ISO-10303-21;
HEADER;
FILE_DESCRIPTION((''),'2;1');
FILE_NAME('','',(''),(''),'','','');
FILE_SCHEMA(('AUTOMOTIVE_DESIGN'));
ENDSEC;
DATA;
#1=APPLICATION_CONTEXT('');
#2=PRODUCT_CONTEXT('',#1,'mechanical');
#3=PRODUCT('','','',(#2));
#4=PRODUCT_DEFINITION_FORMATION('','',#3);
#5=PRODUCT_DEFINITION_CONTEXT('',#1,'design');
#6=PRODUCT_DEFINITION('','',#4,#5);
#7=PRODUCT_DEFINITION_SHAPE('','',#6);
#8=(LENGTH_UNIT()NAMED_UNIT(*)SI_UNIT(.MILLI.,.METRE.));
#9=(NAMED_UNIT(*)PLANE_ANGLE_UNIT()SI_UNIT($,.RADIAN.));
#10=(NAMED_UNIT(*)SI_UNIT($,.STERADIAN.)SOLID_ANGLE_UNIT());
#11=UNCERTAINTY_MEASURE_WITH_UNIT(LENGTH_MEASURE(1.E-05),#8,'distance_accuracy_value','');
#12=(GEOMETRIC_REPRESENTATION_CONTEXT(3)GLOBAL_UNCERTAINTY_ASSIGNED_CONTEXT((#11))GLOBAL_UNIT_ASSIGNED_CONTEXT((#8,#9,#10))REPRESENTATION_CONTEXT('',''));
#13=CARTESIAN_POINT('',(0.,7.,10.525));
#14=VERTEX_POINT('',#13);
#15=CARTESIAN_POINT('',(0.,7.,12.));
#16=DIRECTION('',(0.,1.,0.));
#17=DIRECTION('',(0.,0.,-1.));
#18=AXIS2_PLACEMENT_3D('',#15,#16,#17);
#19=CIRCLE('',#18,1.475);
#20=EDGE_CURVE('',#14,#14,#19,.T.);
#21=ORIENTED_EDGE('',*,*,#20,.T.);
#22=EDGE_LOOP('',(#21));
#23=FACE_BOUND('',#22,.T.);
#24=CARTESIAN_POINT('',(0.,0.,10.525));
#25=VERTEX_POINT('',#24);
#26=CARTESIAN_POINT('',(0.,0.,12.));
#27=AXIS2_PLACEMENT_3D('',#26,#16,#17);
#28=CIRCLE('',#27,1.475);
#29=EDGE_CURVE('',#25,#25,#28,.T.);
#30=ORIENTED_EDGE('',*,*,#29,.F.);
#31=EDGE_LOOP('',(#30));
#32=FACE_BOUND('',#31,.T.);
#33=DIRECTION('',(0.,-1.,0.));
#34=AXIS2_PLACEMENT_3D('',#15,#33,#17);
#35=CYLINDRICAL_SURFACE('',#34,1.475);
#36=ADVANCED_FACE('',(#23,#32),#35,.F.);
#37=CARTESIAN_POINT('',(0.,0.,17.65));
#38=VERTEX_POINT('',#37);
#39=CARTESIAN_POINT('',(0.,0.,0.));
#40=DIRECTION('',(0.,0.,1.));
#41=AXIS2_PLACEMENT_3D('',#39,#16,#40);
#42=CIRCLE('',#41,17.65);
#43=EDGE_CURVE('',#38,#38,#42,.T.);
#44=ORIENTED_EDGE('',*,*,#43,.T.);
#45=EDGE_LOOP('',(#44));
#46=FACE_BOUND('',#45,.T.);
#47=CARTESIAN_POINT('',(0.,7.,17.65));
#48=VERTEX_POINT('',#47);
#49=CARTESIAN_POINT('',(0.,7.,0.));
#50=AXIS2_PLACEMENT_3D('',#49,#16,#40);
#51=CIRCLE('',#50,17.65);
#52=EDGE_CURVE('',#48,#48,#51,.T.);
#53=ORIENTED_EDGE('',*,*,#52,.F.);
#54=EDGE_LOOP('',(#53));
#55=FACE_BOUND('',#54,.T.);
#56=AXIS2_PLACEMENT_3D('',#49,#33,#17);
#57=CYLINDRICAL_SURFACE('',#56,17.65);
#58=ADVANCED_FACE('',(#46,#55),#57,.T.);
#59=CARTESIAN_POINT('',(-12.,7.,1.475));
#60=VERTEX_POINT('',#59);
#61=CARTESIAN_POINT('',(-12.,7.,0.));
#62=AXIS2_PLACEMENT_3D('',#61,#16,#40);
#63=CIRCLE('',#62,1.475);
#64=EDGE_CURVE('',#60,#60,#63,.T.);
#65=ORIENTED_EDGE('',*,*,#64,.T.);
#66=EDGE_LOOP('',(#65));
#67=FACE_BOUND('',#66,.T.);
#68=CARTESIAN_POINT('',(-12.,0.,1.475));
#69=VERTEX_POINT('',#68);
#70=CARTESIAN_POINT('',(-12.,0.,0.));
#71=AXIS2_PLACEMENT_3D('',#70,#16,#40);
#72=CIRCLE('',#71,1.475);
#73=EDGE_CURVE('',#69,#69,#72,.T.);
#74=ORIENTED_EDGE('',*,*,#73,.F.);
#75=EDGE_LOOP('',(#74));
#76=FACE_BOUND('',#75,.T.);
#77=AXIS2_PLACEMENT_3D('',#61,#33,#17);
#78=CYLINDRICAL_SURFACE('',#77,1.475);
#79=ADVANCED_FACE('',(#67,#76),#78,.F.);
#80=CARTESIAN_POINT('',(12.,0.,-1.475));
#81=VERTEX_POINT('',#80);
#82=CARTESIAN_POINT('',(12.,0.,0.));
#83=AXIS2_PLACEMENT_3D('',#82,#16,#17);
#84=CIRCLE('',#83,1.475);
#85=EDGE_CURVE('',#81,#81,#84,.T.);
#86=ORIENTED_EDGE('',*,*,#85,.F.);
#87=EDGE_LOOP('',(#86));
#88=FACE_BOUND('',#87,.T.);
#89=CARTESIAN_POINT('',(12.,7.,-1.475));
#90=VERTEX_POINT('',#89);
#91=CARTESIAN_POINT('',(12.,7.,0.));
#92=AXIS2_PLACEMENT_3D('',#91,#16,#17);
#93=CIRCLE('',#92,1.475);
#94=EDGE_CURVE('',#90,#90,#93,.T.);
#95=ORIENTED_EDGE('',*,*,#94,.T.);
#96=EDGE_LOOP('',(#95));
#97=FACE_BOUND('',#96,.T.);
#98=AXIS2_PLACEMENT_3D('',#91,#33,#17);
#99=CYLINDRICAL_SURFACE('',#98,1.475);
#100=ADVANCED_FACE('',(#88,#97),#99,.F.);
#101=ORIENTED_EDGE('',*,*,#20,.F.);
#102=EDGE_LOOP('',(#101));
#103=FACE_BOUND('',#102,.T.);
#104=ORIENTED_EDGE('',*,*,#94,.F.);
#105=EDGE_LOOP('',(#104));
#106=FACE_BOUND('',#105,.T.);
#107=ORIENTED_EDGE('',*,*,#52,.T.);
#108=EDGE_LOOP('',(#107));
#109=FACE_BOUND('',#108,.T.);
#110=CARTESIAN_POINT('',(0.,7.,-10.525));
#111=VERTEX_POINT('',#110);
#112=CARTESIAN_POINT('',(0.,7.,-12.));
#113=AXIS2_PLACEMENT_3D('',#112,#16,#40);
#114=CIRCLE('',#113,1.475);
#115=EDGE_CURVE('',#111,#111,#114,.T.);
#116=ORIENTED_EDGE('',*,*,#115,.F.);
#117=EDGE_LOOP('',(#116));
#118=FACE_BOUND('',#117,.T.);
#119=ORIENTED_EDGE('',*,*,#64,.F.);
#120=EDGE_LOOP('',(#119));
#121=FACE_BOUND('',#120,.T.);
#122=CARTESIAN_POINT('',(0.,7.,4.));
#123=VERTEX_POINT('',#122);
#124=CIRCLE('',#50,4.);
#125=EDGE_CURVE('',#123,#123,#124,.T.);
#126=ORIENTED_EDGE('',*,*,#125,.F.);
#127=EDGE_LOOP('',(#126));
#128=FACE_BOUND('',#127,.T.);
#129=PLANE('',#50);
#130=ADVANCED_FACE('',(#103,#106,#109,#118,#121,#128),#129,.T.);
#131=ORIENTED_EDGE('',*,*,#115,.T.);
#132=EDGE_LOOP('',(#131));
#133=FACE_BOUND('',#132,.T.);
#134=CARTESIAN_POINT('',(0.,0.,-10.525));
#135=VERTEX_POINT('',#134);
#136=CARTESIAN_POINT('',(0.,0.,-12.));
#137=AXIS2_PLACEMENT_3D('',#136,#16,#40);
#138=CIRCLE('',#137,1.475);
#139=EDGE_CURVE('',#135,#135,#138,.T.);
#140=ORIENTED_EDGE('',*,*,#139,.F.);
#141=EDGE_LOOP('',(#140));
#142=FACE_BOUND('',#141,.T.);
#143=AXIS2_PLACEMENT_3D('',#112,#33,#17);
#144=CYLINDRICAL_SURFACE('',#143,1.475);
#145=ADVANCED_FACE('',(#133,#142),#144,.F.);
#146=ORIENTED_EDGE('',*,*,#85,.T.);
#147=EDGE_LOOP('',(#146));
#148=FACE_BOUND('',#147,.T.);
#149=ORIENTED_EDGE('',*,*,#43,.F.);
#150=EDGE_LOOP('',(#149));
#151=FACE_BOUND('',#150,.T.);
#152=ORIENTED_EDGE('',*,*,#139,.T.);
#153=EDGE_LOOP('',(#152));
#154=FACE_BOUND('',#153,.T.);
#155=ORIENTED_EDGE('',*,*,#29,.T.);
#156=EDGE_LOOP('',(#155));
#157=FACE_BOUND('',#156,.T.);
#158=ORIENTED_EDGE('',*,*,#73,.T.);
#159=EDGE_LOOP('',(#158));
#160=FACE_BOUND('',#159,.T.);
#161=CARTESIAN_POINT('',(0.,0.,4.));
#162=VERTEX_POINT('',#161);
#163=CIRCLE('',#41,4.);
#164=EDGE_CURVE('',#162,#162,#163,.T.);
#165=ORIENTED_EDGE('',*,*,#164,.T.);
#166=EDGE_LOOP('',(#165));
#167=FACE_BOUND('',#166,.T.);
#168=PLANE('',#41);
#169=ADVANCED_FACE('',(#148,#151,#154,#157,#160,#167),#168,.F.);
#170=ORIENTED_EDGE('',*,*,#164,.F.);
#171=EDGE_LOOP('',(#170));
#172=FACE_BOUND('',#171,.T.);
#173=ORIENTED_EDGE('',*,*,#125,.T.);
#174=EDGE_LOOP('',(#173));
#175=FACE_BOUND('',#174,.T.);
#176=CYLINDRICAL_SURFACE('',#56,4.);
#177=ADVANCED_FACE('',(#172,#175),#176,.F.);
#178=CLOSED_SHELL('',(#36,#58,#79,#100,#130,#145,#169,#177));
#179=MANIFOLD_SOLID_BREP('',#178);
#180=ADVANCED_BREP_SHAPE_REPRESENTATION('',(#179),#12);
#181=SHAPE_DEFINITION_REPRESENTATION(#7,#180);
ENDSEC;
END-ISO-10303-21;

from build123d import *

# Parameters (mm, degrees)
SKETCH1_R           = 17.65
SKETCH1_R_2         = 4
SKETCH1_R_3         = 1.475
BOSS_EXTRUDE1_DEPTH = 7


with BuildPart() as part:
    # Sketch1 → Boss-Extrude1 (new body)
    with BuildSketch(Plane(origin=(0, 0, 0), x_dir=(1, 0, 0), z_dir=(0, 1, 0))):
        with Locations(Location((0, 0, 0), (0, 0, 270))):
            Circle(SKETCH1_R)
        with Locations(Location((0, 0, 0), (0, 0, 270))):
            Circle(SKETCH1_R_2, mode=Mode.SUBTRACT)
        with Locations(Location((0, 12, 0), (0, 0, 270))):
            Circle(SKETCH1_R_3, mode=Mode.SUBTRACT)
        with Locations(Location((-12, 0, 0), (0, 0, 270))):
            Circle(SKETCH1_R_3, mode=Mode.SUBTRACT)
        with Locations(Location((12, 0, 0), (0, 0, 90))):
            Circle(SKETCH1_R_3, mode=Mode.SUBTRACT)
        with Locations(Location((0, -12, 0), (0, 0, 90))):
            Circle(SKETCH1_R_3, mode=Mode.SUBTRACT)
    extrude(amount=BOSS_EXTRUDE1_DEPTH)


solid = part.part
